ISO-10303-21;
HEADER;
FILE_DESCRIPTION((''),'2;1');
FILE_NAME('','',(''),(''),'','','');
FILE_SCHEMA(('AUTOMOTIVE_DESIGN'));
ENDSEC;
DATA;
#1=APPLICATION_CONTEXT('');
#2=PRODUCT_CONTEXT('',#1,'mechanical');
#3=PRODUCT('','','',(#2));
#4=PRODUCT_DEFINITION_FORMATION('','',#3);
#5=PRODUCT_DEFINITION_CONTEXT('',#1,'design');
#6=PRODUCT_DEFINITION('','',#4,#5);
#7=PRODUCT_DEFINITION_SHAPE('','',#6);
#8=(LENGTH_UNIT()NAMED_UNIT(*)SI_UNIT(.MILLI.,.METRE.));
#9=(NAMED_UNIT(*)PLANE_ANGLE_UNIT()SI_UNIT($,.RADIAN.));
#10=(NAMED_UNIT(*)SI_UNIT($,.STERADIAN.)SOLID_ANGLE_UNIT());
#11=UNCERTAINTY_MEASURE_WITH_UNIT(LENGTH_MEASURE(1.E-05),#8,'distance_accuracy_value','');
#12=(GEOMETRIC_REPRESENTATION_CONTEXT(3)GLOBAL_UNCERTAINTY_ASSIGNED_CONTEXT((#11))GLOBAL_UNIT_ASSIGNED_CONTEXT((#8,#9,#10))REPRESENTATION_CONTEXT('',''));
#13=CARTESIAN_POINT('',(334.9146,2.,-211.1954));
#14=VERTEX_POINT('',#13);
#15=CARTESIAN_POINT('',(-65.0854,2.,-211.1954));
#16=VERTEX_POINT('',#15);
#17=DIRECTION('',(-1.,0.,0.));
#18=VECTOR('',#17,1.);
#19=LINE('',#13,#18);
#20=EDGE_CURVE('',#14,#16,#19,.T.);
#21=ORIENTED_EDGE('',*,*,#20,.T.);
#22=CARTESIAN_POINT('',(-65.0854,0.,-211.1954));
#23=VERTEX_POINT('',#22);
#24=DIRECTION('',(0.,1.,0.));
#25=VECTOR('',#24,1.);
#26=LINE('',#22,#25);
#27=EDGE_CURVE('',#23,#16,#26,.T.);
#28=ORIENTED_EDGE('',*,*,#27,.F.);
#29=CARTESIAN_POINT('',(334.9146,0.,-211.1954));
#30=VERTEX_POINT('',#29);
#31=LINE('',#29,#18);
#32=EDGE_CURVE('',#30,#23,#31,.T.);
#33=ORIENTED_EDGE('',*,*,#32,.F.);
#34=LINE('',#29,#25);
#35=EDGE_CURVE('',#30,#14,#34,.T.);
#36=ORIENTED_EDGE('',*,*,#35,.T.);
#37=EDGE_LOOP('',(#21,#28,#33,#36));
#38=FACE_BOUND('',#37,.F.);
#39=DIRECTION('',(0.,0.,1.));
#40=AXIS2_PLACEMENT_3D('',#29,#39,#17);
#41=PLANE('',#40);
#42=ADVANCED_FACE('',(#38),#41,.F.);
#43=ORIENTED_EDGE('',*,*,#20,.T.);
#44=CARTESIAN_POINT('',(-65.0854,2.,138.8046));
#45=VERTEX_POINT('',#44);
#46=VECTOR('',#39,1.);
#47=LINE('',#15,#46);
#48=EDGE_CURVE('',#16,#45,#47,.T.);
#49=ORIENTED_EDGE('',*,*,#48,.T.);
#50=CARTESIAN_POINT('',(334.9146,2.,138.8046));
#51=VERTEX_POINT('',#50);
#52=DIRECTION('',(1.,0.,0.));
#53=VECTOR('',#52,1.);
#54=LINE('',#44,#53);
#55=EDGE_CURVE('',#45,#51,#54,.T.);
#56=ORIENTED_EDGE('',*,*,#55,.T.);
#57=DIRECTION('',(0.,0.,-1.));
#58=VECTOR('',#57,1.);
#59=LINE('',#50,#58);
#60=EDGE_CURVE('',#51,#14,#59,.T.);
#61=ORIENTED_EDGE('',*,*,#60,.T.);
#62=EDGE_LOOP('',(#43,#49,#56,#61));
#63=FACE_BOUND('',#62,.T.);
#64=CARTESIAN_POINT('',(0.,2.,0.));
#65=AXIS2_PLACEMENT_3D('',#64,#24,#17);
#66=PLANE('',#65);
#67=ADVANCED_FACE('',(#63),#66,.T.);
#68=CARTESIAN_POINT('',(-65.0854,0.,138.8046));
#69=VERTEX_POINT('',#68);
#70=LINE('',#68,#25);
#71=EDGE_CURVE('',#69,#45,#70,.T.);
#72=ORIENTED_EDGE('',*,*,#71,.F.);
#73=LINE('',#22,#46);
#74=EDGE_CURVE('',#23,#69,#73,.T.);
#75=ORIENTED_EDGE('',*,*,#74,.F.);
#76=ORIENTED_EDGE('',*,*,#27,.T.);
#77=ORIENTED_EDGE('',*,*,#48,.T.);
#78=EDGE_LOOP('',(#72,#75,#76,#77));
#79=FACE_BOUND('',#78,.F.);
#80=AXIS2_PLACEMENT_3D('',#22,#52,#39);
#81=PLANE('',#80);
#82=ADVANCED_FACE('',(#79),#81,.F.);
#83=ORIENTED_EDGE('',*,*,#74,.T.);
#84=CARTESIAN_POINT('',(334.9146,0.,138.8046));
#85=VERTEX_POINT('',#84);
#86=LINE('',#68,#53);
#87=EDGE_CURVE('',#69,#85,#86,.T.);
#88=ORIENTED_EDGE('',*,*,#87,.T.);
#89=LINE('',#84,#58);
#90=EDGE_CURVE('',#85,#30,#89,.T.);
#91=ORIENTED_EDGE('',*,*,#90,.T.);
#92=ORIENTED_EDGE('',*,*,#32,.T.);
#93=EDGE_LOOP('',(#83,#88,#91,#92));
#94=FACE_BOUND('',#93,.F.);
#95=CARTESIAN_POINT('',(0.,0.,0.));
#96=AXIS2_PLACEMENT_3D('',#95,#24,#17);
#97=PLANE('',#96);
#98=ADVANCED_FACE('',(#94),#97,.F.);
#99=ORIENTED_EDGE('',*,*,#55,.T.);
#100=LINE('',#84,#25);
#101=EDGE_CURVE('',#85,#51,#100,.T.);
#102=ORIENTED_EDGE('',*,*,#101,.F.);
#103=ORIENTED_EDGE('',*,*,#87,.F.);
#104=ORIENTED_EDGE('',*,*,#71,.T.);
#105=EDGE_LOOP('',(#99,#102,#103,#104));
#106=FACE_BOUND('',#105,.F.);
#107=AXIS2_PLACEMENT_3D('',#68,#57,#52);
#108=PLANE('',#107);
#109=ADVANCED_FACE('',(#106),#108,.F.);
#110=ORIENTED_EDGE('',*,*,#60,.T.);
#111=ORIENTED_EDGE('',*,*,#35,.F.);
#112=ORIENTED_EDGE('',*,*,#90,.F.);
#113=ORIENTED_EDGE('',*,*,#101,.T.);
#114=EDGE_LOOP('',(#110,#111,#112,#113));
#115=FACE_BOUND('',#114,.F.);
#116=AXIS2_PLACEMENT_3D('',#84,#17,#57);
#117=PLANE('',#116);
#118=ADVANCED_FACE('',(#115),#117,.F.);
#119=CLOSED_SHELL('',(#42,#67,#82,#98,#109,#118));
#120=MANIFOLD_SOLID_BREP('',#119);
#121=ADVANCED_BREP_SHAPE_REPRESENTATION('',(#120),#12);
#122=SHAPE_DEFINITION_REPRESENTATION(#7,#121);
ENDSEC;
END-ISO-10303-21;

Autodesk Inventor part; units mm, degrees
ref_plane "YZ Plane" through (0, 0, 0) normal (1, 0, 0) x (0, 1, 0)
ref_plane "XZ Plane" through (0, 0, 0) normal (0, 1, 0) x (-1, 0, 0)
ref_plane "XY Plane" through (0, 0, 0) normal (0, 0, 1) x (1, 0, 0)
sketch "Sketch1" plane through (0, 0, 0) normal (0, 1, 0) x (-1, 0, 0)
  line L0 (65.0854, 138.8046) -> (-334.9146, 138.8046)
  line L1 (-334.9146, 138.8046) -> (-334.9146, -211.1954)
  line L2 (-334.9146, -211.1954) -> (65.0854, -211.1954)
  line L3 (65.0854, -211.1954) -> (65.0854, 138.8046)
  point P0 (0, 0)
  dimension "d0" = 350
  dimension "d1" = 400
extrude "Extrusion1" add sketch "Sketch1" along normal blind 2
properties part number "sol"
